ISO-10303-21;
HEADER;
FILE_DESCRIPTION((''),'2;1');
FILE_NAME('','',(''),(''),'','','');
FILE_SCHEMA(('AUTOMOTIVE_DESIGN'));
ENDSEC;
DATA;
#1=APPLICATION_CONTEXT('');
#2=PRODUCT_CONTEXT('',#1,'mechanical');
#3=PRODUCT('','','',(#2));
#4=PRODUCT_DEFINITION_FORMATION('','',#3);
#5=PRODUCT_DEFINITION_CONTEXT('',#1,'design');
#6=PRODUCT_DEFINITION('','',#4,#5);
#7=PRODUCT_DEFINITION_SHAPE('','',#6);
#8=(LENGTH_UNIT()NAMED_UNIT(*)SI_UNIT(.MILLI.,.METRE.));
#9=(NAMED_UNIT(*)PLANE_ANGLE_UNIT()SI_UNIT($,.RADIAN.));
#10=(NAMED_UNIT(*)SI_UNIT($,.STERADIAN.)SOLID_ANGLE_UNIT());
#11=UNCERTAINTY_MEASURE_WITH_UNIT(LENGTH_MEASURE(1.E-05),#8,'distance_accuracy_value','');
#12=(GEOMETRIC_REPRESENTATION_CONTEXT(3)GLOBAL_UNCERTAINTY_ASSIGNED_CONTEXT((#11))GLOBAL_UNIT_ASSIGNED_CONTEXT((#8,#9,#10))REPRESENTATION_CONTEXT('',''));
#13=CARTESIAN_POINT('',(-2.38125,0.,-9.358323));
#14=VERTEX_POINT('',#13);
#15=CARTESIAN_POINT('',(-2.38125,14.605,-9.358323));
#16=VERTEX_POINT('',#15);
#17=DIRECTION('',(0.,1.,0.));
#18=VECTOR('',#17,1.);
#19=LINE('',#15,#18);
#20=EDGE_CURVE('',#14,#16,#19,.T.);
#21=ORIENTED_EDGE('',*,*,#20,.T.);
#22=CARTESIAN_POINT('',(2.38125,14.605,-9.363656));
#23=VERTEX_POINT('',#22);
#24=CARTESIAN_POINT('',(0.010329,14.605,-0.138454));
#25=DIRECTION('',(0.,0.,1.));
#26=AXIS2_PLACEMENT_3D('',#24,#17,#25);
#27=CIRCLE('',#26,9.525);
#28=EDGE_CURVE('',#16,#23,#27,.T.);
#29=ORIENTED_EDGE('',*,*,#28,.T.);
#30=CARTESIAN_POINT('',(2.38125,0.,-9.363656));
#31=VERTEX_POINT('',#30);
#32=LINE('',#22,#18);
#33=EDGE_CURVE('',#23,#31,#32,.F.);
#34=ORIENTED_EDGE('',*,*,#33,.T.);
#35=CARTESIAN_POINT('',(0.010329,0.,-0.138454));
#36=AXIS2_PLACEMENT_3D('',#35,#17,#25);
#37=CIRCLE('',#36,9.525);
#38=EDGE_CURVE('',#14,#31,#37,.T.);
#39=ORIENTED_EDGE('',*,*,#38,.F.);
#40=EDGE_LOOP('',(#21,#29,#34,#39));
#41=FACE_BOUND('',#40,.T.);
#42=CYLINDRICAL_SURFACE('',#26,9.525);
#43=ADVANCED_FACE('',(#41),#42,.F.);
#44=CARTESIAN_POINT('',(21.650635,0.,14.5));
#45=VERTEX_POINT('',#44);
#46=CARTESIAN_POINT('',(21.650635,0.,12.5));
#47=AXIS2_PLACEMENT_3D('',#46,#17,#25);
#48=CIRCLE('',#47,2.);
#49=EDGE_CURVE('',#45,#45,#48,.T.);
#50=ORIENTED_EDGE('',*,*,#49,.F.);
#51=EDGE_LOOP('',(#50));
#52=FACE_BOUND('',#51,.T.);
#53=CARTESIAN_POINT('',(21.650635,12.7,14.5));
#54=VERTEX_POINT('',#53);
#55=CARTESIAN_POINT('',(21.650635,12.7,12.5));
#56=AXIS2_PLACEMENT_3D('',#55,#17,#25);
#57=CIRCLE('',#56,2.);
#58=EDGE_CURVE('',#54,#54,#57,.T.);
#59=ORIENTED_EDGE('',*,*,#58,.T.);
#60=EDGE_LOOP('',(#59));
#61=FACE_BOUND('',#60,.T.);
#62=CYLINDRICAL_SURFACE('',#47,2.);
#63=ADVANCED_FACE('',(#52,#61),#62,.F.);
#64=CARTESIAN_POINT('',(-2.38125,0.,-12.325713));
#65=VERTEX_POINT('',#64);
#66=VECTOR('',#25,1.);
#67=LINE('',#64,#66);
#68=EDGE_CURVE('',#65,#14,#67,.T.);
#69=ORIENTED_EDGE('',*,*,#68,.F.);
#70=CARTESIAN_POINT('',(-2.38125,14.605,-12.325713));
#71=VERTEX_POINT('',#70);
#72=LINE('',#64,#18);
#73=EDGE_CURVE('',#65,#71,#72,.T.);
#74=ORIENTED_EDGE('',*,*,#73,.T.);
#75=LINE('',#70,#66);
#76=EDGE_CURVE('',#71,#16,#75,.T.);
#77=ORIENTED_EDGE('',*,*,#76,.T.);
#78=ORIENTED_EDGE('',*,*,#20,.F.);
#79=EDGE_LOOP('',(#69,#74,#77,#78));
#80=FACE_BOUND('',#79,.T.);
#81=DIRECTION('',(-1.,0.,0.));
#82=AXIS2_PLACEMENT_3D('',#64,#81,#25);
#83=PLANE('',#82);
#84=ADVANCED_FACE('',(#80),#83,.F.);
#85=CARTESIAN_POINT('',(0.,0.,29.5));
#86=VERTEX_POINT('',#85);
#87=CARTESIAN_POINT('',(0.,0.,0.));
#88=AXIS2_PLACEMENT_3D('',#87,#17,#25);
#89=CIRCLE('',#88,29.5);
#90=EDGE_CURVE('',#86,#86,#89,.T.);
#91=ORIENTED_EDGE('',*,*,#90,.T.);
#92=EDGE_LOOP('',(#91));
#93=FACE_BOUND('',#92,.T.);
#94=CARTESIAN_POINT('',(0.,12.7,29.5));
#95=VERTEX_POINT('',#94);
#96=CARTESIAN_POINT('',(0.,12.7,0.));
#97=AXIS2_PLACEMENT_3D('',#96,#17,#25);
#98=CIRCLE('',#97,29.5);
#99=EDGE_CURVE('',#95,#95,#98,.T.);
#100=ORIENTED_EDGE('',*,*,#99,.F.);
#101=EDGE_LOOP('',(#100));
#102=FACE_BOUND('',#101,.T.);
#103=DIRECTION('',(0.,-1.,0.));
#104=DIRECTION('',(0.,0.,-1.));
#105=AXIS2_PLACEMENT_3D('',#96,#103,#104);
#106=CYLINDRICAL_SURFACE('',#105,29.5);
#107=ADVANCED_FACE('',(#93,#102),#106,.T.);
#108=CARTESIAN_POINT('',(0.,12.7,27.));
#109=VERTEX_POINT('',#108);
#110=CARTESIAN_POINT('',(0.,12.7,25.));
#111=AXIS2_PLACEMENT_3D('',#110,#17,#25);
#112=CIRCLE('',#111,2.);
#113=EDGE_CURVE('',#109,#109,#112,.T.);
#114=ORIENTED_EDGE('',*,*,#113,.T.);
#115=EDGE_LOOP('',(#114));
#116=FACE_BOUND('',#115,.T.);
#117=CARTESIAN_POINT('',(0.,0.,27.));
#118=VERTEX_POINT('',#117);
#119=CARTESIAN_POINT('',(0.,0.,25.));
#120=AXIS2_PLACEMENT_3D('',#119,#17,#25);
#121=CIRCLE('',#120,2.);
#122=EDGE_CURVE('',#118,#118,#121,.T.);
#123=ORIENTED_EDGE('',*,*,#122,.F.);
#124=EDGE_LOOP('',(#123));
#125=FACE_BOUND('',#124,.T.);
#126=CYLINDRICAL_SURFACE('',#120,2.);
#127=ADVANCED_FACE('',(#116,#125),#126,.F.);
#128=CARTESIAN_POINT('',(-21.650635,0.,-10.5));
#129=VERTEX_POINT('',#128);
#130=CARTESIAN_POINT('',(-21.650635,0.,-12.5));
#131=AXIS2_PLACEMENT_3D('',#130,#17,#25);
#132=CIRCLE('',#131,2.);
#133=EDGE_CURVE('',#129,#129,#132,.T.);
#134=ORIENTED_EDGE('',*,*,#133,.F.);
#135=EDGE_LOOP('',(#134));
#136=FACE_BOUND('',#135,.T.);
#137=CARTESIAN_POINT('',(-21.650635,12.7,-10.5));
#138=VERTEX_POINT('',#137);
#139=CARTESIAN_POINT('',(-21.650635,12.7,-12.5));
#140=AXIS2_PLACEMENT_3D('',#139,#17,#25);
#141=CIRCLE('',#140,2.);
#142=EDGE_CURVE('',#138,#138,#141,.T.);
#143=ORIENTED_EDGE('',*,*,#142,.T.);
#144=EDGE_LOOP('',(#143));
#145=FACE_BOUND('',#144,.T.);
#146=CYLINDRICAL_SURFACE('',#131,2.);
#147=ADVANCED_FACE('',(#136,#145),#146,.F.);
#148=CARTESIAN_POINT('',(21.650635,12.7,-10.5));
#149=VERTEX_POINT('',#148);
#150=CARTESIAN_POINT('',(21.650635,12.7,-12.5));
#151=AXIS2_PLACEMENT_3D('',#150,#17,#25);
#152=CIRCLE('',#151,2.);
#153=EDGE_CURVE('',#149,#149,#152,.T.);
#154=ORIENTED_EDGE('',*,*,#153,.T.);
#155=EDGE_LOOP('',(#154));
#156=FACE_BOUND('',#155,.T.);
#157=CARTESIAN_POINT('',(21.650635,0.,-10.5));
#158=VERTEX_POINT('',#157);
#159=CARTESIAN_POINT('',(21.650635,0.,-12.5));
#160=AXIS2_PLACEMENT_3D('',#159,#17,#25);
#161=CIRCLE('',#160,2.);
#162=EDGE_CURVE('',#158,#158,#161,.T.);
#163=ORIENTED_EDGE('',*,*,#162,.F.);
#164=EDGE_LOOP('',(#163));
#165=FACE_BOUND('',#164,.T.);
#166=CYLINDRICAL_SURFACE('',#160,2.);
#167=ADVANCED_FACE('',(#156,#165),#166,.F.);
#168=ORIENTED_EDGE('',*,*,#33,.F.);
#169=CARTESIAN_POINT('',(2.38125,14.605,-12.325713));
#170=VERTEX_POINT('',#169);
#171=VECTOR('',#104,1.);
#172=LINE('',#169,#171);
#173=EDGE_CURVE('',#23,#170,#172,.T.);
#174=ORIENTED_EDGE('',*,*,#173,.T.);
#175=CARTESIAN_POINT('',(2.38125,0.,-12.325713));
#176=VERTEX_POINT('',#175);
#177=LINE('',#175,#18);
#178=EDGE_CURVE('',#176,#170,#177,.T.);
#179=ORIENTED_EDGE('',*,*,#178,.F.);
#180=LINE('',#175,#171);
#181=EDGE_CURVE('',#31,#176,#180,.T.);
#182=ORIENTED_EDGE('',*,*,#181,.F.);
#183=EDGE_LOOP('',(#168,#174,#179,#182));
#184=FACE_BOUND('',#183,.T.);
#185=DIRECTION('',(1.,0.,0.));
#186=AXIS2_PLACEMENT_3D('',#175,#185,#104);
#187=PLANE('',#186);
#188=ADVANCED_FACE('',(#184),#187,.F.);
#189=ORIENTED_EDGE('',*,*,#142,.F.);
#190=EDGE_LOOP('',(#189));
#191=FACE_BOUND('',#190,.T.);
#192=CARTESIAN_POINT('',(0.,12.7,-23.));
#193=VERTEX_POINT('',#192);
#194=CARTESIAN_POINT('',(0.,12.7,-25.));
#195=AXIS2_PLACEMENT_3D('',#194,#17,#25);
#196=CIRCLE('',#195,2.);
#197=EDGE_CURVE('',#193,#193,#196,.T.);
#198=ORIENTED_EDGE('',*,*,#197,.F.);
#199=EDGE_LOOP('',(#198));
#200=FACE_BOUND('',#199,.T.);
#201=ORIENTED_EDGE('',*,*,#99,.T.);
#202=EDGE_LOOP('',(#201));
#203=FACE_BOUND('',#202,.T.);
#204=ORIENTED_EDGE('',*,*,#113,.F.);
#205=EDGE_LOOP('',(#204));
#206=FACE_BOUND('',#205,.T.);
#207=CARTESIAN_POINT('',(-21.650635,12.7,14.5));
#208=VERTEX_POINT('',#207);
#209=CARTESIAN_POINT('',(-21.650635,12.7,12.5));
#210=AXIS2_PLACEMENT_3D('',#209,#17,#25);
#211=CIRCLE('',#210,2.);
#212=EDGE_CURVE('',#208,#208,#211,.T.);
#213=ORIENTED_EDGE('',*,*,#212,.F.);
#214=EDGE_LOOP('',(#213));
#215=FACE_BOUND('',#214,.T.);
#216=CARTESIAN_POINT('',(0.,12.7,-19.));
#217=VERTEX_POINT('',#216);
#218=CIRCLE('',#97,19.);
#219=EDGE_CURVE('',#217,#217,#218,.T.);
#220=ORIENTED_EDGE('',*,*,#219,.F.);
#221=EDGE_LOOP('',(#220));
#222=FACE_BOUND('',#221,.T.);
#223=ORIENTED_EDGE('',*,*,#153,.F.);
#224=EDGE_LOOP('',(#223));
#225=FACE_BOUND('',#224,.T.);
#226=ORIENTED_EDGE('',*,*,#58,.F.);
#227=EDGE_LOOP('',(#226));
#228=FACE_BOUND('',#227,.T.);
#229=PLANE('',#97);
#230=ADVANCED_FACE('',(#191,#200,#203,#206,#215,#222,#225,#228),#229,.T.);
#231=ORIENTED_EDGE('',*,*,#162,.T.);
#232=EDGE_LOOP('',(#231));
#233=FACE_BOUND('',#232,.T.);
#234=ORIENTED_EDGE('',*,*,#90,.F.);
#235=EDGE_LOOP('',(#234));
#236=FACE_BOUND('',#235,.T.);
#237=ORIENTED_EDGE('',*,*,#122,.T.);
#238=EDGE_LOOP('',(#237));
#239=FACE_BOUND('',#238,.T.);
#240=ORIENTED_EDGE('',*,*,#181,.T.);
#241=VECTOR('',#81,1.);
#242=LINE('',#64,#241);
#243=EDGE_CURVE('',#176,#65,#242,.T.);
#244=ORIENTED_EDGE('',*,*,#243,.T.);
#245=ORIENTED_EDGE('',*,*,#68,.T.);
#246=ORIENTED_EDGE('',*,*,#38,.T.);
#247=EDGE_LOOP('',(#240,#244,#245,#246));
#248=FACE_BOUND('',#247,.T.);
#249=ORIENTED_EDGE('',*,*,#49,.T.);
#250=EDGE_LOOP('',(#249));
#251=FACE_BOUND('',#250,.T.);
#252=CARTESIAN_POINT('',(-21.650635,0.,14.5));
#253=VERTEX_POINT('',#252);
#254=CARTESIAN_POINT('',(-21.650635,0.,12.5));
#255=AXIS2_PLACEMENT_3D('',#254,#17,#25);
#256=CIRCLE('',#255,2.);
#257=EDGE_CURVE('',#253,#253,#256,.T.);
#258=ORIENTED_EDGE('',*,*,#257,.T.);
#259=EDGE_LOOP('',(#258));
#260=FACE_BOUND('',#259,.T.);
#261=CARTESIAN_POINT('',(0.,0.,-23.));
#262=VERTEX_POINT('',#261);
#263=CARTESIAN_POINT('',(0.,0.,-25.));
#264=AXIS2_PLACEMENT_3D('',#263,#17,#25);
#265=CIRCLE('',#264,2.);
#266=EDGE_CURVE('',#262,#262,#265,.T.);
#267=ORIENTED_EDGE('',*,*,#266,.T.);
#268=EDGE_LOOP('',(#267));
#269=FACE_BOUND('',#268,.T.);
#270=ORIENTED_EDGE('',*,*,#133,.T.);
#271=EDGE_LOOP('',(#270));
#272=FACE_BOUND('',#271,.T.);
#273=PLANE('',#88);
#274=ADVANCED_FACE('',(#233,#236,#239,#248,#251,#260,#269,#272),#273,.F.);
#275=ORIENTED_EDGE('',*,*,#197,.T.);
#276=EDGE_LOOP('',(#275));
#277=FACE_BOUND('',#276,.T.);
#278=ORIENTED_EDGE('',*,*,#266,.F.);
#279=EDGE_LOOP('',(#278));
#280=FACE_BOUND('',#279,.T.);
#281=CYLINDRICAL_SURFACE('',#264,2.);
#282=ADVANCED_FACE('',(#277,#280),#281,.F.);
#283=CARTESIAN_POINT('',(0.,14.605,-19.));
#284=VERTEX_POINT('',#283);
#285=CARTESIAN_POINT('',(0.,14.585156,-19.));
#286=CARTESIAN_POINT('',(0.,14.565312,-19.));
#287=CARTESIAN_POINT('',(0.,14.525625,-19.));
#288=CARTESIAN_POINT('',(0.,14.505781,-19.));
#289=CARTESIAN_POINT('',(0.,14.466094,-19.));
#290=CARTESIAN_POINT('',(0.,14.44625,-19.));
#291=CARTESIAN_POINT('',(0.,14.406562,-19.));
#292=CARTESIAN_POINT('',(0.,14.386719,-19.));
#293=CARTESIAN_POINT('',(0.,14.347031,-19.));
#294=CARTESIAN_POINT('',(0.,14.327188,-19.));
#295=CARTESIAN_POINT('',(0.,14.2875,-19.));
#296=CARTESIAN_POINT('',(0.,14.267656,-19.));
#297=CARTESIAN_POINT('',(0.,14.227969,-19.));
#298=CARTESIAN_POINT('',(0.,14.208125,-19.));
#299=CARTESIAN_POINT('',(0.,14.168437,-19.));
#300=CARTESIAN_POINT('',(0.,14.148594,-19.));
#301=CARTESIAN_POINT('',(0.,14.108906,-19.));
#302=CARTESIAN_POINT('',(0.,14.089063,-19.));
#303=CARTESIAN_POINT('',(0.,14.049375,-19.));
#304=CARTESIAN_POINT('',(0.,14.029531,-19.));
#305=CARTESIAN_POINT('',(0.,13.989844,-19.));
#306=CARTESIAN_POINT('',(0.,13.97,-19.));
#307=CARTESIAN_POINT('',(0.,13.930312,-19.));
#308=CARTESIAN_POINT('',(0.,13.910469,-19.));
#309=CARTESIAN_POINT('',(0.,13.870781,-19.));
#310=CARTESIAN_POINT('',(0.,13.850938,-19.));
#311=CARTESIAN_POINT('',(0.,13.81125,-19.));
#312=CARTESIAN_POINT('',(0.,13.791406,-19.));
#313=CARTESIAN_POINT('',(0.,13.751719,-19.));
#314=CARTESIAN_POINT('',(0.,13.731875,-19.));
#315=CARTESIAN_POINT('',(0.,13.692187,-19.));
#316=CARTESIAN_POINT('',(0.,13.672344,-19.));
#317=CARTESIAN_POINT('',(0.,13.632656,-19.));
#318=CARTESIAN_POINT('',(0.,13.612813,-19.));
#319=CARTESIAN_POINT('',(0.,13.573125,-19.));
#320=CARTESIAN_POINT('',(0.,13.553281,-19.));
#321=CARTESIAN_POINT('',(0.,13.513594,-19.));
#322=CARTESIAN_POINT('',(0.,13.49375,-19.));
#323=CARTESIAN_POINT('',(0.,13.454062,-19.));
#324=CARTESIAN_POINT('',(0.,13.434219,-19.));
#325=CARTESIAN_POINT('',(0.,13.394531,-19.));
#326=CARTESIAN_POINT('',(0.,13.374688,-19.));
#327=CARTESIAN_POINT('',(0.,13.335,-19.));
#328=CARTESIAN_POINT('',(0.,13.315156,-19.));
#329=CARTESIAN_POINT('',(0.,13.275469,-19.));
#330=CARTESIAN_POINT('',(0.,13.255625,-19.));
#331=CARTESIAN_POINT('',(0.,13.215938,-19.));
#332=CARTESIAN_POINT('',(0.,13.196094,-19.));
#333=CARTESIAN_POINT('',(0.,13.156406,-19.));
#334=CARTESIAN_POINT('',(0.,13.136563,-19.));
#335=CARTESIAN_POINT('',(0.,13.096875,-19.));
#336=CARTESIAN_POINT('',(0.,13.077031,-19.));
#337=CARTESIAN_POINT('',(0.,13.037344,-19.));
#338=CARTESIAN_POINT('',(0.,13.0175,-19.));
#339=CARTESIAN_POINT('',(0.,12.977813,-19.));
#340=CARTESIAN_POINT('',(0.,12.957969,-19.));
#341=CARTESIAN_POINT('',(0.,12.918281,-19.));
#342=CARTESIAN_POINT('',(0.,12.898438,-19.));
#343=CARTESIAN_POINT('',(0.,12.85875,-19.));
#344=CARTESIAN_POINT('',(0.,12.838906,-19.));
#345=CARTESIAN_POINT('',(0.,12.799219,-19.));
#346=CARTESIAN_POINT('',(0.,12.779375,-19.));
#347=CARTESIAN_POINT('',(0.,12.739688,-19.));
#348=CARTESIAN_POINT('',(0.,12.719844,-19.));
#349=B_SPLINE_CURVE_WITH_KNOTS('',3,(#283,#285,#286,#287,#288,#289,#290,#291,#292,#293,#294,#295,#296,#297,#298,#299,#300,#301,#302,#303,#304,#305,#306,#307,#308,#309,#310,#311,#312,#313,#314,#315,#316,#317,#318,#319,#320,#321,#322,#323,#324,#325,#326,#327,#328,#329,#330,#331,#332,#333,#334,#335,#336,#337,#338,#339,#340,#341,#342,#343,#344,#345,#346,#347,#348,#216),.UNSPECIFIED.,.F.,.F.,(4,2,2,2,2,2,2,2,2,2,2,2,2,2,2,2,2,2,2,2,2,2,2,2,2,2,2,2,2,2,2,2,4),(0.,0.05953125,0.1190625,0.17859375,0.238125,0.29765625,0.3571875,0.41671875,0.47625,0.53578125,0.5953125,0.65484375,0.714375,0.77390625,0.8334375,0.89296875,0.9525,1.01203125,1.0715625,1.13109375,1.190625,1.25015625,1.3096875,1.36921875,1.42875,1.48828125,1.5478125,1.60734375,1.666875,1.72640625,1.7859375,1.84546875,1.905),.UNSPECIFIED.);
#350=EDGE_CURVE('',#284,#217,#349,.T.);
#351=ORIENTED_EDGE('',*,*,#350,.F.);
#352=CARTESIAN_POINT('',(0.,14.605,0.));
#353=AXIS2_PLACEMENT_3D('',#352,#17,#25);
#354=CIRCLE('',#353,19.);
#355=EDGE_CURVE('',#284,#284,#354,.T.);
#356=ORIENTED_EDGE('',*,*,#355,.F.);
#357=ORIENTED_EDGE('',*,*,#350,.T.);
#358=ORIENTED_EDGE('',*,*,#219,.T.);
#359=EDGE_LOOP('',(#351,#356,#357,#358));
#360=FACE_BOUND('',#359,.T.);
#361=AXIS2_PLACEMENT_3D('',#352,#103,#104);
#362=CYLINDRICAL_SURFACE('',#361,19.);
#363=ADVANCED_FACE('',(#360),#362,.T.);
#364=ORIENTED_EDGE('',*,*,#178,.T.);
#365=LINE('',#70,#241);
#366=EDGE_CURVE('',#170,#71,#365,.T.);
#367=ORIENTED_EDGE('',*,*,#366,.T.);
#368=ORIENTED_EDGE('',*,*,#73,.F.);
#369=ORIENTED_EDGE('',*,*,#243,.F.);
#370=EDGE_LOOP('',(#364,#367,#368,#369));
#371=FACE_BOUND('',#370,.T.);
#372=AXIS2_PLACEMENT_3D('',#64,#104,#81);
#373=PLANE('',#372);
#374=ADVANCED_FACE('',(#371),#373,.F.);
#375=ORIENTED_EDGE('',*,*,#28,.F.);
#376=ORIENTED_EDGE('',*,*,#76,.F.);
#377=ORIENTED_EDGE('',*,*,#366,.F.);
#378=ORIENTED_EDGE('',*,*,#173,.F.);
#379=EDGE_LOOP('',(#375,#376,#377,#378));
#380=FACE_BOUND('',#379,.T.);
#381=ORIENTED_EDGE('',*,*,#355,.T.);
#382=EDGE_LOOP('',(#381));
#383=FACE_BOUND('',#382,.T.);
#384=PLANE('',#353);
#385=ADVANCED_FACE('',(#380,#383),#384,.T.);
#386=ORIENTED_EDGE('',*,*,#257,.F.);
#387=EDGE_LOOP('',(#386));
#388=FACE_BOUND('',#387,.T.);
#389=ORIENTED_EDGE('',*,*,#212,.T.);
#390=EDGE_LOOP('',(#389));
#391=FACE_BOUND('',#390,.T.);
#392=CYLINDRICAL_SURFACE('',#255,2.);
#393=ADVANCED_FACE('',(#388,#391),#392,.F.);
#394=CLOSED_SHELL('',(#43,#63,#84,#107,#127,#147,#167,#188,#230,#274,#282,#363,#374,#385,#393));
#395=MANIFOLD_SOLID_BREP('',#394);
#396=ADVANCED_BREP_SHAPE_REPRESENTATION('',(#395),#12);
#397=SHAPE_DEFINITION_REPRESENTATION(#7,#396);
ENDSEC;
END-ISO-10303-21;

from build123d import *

# Parameters (mm, degrees)
SKETCH1_R                   = 29.5
BOSS_EXTRUDE1_DEPTH         = 12.7
SKETCH2_R                   = 19
BOSS_EXTRUDE2_DEPTH         = 1.905
F_3_4_0_75_DIAMETER_HOLE1_D = 19.05
CUT_EXTRUDE1_DEPTH          = 44.60951731
CUT_EXTRUDE1_DEPTH_BACK     = 44.60951731
SKETCH7_R                   = 2
SKETCH8_W                   = 4.7625
SKETCH8_H                   = 4.7625
CUT_EXTRUDE2_DEPTH          = 45.201878071


with BuildPart() as part:
    # Sketch1 → Boss-Extrude1 (new body)
    with BuildSketch(Plane(origin=(0, 0, 0), x_dir=(1, 0, 0), z_dir=(0, 1, 0))):
        with Locations(Location((0, 0, 0), (0, 0, 270))):
            Circle(SKETCH1_R)
    extrude(amount=BOSS_EXTRUDE1_DEPTH)

    # Sketch2 → Boss-Extrude2 (add)
    with BuildSketch(Plane(origin=(0, 12.7, 0), x_dir=(1, 0, 0), z_dir=(0, 1, 0))):
        with Locations(Location((0, 0, 0), (0, 0, 90))):
            Circle(SKETCH2_R)
    extrude(amount=BOSS_EXTRUDE2_DEPTH)

    # 3/4 (0.75) Diameter Hole1 (through all)
    with Locations(Plane(origin=(0.010328694, 14.605, -0.138454069), x_dir=(0, 0, 1), z_dir=(0, 1, 0))):
        with Locations((0, 0)):
            Hole(F_3_4_0_75_DIAMETER_HOLE1_D / 2)

    # Sketch7 → Cut-Extrude1 (cut, two sides: drawn at the far end of the back side and taken through both)
    with BuildSketch(Plane(origin=(0, 12.7, 0), x_dir=(1, 0, 0), z_dir=(0, 1, 0)).offset(-CUT_EXTRUDE1_DEPTH_BACK)):
        with Locations(Location((0, 25, 0), (0, 0, 270))):
            Circle(SKETCH7_R)
        with Locations(Location((21.650635095, 12.5, 0), (0, 0, 270))):
            Circle(SKETCH7_R)
        with Locations(Location((21.650635095, -12.5, 0), (0, 0, 270))):
            Circle(SKETCH7_R)
        with Locations(Location((0, -25, 0), (0, 0, 270))):
            Circle(SKETCH7_R)
        with Locations(Location((-21.650635095, -12.5, 0), (0, 0, 270))):
            Circle(SKETCH7_R)
        with Locations(Location((-21.650635095, 12.5, 0), (0, 0, 270))):
            Circle(SKETCH7_R)
    extrude(amount=CUT_EXTRUDE1_DEPTH + CUT_EXTRUDE1_DEPTH_BACK, mode=Mode.SUBTRACT)

    # Sketch8 → Cut-Extrude2 (cut, through all)
    with BuildSketch(Plane(origin=(0, 14.605, 0), x_dir=(1, 0, 0), z_dir=(0, 1, 0))):
        with Locations((0, 9.94446313)):
            Rectangle(SKETCH8_W, SKETCH8_H)
    extrude(amount=-CUT_EXTRUDE2_DEPTH, mode=Mode.SUBTRACT)


solid = part.part
